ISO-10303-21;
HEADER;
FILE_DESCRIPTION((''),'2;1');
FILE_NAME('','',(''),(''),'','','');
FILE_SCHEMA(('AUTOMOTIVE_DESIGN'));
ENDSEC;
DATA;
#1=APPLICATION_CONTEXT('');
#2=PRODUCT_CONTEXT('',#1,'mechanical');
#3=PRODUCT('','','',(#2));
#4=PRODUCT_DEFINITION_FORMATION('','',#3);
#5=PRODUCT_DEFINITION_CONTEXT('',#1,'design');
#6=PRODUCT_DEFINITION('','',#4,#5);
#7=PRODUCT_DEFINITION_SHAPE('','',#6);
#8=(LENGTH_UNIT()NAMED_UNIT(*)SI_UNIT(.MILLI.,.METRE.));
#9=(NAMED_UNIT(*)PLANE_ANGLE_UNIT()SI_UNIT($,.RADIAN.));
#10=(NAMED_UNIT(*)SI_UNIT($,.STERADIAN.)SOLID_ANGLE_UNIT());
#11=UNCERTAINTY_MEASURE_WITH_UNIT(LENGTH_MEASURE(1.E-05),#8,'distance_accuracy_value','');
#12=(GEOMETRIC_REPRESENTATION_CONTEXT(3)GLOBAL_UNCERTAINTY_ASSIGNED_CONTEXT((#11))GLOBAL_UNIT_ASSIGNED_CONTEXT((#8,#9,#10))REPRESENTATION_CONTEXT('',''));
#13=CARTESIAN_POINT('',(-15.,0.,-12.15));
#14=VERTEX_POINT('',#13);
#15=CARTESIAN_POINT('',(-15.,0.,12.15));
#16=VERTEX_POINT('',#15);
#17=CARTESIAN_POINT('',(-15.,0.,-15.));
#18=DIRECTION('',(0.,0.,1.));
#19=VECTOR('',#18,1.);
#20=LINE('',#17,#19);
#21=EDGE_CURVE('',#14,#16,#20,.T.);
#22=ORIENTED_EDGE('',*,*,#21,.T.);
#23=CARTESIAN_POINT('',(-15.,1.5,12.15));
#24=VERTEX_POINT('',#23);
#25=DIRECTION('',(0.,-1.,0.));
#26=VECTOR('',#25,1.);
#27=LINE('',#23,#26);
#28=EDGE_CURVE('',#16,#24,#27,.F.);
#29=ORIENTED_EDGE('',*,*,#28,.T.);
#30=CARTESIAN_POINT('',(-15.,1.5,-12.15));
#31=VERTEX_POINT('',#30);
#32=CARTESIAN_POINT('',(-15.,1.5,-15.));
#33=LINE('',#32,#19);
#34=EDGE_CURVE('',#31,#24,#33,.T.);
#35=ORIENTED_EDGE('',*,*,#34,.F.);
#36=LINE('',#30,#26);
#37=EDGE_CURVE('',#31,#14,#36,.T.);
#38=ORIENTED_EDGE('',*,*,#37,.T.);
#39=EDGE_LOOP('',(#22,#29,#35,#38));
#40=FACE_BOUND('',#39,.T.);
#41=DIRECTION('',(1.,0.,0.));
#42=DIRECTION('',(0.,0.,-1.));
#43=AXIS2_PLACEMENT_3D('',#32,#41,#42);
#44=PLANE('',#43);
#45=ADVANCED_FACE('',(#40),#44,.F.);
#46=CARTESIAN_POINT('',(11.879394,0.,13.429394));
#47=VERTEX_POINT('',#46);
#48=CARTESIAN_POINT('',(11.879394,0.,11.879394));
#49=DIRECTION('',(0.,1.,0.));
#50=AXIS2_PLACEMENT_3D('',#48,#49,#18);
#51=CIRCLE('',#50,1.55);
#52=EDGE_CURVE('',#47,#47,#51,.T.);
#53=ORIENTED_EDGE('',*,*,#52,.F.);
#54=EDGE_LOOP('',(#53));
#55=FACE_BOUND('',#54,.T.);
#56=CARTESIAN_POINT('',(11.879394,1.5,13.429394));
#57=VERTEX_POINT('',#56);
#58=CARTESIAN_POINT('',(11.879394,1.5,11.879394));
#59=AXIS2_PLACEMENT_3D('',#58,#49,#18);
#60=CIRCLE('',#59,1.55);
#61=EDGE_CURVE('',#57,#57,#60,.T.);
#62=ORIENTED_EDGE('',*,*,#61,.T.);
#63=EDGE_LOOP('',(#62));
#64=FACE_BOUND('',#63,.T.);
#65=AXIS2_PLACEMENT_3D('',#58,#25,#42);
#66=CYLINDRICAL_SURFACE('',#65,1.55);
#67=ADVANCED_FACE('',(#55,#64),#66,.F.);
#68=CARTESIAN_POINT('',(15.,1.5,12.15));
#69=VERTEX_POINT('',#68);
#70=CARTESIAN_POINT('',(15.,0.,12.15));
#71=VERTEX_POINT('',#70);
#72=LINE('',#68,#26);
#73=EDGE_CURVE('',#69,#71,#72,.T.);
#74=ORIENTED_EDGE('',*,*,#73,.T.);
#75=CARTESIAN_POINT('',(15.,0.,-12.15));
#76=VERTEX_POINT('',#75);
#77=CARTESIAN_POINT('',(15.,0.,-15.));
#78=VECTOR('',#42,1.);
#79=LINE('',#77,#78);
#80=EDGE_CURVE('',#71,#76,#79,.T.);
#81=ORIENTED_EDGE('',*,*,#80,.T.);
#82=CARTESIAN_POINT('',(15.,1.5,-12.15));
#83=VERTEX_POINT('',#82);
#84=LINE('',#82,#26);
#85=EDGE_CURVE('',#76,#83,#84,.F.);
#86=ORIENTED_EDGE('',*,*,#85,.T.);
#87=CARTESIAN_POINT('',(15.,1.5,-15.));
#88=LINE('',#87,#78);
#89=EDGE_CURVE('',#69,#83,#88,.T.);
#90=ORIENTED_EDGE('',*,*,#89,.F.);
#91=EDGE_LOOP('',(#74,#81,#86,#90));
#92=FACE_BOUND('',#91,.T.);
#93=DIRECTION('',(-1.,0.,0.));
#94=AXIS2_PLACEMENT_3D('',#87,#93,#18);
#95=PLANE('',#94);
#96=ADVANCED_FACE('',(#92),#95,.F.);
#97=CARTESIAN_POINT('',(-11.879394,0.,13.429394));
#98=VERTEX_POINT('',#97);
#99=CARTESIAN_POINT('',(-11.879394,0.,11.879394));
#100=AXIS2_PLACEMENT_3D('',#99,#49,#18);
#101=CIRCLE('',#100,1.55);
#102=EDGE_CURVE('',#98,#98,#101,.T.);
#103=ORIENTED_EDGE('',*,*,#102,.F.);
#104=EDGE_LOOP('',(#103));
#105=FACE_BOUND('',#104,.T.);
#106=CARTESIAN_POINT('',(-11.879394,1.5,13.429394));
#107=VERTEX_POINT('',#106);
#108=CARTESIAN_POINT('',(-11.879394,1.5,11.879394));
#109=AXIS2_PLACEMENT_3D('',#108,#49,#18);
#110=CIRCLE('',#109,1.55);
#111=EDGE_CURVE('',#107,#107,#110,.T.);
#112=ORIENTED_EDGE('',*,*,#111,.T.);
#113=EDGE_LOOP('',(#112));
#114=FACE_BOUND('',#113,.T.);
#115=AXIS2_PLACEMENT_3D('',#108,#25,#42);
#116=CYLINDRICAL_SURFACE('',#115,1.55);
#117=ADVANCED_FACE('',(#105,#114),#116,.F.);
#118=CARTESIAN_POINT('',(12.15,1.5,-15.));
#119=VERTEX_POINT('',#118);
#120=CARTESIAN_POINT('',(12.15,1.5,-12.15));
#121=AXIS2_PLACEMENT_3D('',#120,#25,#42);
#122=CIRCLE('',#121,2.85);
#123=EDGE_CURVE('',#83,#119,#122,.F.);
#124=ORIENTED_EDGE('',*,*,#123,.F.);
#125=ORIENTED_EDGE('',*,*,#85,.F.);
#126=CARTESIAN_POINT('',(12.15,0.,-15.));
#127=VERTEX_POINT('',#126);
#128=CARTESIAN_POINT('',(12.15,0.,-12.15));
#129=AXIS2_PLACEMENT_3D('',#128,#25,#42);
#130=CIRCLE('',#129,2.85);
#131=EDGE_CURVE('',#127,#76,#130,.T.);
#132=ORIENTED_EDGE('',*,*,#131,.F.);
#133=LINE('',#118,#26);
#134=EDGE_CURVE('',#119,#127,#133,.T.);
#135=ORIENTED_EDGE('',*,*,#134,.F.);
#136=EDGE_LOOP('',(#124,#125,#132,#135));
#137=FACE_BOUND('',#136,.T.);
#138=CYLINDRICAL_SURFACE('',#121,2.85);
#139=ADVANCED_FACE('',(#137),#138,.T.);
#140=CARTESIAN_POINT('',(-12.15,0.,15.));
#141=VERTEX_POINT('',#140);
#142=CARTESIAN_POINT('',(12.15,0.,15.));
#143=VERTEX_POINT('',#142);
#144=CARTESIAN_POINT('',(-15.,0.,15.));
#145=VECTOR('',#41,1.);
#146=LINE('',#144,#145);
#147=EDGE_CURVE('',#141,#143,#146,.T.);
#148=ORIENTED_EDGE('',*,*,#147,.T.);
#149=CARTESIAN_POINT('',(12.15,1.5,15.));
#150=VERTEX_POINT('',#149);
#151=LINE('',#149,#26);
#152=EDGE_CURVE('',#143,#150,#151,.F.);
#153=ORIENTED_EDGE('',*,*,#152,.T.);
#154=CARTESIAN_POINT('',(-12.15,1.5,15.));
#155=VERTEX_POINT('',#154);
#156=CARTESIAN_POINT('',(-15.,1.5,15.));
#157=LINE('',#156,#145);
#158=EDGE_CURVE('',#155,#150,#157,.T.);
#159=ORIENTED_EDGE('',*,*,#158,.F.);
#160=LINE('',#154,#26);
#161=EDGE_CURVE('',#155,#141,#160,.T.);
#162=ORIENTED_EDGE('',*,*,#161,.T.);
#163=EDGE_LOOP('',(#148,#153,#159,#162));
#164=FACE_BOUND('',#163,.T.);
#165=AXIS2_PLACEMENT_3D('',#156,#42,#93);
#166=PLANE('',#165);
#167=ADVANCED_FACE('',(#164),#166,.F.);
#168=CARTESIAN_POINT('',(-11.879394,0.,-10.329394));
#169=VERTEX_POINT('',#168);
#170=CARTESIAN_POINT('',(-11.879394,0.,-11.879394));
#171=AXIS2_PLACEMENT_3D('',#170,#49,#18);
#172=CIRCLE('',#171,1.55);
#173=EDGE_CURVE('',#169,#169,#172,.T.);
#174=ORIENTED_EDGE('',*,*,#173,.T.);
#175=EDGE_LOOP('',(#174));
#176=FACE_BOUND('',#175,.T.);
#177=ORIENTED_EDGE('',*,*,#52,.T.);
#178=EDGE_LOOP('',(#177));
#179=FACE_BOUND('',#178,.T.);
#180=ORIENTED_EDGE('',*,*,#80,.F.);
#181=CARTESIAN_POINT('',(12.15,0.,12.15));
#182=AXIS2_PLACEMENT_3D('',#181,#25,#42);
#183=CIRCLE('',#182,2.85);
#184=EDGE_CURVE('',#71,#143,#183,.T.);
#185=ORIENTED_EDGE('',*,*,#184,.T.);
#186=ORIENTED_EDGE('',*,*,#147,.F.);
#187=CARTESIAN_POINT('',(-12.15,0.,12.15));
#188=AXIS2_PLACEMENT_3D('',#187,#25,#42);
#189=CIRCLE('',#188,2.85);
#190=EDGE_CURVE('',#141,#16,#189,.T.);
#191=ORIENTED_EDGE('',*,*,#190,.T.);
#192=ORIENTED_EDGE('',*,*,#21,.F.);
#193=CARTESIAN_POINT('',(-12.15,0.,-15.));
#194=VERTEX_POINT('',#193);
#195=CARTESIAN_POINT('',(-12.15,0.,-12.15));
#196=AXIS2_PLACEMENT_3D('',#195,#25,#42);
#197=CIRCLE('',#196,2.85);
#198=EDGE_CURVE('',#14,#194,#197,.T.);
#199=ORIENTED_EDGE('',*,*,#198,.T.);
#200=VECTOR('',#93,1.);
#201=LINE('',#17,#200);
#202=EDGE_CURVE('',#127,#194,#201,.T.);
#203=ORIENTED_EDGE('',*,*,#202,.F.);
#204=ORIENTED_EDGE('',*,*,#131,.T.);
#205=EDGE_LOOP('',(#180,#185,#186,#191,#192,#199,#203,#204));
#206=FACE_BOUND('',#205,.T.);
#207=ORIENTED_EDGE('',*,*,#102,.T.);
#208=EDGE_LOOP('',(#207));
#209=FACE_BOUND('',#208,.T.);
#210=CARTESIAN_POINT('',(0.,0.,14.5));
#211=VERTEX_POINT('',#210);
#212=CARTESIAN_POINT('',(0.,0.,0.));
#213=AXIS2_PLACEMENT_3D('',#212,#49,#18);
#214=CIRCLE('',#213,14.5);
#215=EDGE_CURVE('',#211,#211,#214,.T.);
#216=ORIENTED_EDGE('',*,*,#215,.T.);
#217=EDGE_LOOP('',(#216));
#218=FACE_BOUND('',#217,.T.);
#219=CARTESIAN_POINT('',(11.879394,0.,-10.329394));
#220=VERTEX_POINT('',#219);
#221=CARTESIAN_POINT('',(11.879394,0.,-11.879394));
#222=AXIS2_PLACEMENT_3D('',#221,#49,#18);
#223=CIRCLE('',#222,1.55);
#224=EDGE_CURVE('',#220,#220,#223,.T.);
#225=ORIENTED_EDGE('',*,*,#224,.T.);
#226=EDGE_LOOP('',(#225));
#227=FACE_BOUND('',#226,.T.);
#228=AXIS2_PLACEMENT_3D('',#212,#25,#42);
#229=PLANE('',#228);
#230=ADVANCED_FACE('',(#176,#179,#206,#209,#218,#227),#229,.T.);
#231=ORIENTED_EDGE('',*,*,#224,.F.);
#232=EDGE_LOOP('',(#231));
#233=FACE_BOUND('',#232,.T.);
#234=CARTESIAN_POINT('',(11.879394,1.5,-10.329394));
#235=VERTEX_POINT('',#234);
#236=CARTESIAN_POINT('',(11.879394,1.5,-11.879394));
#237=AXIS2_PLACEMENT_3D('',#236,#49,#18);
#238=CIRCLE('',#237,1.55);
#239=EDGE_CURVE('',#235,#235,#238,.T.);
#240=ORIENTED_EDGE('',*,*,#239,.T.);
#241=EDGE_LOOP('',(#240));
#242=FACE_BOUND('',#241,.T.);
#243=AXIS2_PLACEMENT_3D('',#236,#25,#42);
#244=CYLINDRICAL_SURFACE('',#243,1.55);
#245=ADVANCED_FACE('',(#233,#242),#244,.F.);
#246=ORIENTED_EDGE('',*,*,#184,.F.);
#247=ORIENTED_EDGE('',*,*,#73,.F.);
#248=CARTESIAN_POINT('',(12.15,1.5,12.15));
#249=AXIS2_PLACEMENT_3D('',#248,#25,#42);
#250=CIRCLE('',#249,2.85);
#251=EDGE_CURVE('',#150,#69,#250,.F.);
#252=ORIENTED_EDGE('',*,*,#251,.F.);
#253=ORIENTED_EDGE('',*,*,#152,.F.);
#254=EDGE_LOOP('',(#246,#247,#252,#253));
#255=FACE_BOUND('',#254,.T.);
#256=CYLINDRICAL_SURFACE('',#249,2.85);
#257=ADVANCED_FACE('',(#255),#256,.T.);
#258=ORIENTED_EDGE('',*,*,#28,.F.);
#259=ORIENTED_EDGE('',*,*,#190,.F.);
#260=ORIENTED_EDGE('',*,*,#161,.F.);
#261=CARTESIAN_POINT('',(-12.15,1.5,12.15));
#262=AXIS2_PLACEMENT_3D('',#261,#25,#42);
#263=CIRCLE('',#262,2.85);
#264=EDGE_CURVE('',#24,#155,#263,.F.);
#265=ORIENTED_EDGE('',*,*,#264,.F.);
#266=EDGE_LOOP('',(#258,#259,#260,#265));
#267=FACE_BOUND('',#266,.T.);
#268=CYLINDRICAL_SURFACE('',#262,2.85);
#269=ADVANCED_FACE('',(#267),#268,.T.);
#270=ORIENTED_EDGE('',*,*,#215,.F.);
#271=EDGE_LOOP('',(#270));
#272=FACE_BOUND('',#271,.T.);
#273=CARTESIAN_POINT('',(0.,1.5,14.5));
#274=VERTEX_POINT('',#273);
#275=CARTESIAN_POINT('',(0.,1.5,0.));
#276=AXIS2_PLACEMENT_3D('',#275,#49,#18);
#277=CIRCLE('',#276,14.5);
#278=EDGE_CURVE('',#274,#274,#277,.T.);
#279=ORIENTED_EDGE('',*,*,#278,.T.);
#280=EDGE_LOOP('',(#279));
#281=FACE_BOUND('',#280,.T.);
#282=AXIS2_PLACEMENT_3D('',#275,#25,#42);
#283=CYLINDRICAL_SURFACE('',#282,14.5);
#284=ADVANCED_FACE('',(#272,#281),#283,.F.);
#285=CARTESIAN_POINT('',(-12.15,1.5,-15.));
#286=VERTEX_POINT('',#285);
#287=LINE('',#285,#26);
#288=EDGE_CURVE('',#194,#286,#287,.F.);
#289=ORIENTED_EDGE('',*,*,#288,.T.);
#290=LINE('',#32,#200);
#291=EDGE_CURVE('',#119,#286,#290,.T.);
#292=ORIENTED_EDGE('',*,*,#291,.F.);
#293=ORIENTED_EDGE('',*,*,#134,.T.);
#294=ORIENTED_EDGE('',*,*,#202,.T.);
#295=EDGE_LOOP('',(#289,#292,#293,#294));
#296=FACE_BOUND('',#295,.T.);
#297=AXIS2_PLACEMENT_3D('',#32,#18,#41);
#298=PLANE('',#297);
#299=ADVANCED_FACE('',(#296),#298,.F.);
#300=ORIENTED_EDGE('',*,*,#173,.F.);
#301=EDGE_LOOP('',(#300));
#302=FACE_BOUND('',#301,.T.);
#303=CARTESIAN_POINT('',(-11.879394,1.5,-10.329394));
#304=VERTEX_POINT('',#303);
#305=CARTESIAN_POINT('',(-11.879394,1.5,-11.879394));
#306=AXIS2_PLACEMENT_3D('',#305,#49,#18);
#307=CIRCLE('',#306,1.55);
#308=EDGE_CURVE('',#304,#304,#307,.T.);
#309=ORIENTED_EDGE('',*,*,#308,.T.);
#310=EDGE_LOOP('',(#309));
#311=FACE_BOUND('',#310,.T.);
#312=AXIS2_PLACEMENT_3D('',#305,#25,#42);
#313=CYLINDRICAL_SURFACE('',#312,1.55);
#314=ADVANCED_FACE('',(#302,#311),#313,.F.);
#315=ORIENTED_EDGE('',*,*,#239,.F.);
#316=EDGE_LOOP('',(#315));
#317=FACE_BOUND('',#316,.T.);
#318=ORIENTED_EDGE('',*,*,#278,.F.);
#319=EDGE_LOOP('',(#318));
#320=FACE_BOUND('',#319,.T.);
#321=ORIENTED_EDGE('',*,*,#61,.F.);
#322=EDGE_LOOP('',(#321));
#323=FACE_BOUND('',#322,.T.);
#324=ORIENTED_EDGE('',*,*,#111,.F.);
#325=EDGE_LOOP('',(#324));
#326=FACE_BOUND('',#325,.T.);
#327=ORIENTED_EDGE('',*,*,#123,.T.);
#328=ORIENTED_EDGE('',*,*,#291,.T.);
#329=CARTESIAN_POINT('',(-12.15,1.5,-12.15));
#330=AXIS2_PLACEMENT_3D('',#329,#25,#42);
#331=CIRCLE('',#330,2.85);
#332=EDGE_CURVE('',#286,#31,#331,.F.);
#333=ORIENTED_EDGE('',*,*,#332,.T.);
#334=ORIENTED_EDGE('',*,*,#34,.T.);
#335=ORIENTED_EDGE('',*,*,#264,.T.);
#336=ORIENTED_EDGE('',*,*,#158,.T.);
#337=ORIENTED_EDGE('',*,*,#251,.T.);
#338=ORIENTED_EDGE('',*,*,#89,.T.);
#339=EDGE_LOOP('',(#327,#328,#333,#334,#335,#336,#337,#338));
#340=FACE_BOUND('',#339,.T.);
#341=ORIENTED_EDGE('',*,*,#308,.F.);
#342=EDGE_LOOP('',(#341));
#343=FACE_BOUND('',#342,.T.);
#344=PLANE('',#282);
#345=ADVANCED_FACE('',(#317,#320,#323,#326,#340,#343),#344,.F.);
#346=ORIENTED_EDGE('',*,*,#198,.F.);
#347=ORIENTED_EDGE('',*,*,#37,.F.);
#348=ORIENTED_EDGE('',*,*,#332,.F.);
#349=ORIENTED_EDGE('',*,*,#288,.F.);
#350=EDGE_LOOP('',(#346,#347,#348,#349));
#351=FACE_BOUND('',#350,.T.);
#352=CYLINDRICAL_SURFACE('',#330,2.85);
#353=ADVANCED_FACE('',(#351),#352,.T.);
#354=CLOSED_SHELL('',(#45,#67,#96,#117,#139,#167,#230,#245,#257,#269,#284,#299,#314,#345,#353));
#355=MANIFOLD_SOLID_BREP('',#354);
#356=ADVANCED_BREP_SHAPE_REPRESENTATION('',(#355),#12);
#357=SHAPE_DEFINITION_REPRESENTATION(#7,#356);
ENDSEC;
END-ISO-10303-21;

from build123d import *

# Parameters (mm, degrees)
SKETCH_1_W      = 30
SKETCH_1_H      = 30
SKETCH_1_R      = 14.5
SKETCH_1_R_2    = 1.55
EXTRUDE_1_DEPTH = 1.5
FILLET_1_R      = 2.85


with BuildPart() as part:
    # 草图1 → 凸台-拉伸1 (new body)
    with BuildSketch(Plane(origin=(0, 0, 0), x_dir=(1, 0, 0), z_dir=(0, 1, 0))):
        Rectangle(SKETCH_1_W, SKETCH_1_H)
        with Locations(Location((0, 0, 0), (0, 0, 270))):
            Circle(SKETCH_1_R, mode=Mode.SUBTRACT)
        with Locations(Location((-11.879393924, 11.879393924, 0), (0, 0, 270))):
            Circle(SKETCH_1_R_2, mode=Mode.SUBTRACT)
        with Locations(Location((11.879393924, 11.879393924, 0), (0, 0, 270))):
            Circle(SKETCH_1_R_2, mode=Mode.SUBTRACT)
        with Locations(Location((11.879393924, -11.879393924, 0), (0, 0, 270))):
            Circle(SKETCH_1_R_2, mode=Mode.SUBTRACT)
        with Locations(Location((-11.879393924, -11.879393924, 0), (0, 0, 270))):
            Circle(SKETCH_1_R_2, mode=Mode.SUBTRACT)
    extrude(amount=EXTRUDE_1_DEPTH)

    # 圆角1
    fillet_1_edges = [part.edges().sort_by_distance(p)[0] for p in [
        (-15, 0.75, 15),
        (-15, 0.75, -15),
        (15, 0.75, -15),
        (15, 0.75, 15),
    ]]
    fillet(fillet_1_edges, radius=FILLET_1_R)


solid = part.part
